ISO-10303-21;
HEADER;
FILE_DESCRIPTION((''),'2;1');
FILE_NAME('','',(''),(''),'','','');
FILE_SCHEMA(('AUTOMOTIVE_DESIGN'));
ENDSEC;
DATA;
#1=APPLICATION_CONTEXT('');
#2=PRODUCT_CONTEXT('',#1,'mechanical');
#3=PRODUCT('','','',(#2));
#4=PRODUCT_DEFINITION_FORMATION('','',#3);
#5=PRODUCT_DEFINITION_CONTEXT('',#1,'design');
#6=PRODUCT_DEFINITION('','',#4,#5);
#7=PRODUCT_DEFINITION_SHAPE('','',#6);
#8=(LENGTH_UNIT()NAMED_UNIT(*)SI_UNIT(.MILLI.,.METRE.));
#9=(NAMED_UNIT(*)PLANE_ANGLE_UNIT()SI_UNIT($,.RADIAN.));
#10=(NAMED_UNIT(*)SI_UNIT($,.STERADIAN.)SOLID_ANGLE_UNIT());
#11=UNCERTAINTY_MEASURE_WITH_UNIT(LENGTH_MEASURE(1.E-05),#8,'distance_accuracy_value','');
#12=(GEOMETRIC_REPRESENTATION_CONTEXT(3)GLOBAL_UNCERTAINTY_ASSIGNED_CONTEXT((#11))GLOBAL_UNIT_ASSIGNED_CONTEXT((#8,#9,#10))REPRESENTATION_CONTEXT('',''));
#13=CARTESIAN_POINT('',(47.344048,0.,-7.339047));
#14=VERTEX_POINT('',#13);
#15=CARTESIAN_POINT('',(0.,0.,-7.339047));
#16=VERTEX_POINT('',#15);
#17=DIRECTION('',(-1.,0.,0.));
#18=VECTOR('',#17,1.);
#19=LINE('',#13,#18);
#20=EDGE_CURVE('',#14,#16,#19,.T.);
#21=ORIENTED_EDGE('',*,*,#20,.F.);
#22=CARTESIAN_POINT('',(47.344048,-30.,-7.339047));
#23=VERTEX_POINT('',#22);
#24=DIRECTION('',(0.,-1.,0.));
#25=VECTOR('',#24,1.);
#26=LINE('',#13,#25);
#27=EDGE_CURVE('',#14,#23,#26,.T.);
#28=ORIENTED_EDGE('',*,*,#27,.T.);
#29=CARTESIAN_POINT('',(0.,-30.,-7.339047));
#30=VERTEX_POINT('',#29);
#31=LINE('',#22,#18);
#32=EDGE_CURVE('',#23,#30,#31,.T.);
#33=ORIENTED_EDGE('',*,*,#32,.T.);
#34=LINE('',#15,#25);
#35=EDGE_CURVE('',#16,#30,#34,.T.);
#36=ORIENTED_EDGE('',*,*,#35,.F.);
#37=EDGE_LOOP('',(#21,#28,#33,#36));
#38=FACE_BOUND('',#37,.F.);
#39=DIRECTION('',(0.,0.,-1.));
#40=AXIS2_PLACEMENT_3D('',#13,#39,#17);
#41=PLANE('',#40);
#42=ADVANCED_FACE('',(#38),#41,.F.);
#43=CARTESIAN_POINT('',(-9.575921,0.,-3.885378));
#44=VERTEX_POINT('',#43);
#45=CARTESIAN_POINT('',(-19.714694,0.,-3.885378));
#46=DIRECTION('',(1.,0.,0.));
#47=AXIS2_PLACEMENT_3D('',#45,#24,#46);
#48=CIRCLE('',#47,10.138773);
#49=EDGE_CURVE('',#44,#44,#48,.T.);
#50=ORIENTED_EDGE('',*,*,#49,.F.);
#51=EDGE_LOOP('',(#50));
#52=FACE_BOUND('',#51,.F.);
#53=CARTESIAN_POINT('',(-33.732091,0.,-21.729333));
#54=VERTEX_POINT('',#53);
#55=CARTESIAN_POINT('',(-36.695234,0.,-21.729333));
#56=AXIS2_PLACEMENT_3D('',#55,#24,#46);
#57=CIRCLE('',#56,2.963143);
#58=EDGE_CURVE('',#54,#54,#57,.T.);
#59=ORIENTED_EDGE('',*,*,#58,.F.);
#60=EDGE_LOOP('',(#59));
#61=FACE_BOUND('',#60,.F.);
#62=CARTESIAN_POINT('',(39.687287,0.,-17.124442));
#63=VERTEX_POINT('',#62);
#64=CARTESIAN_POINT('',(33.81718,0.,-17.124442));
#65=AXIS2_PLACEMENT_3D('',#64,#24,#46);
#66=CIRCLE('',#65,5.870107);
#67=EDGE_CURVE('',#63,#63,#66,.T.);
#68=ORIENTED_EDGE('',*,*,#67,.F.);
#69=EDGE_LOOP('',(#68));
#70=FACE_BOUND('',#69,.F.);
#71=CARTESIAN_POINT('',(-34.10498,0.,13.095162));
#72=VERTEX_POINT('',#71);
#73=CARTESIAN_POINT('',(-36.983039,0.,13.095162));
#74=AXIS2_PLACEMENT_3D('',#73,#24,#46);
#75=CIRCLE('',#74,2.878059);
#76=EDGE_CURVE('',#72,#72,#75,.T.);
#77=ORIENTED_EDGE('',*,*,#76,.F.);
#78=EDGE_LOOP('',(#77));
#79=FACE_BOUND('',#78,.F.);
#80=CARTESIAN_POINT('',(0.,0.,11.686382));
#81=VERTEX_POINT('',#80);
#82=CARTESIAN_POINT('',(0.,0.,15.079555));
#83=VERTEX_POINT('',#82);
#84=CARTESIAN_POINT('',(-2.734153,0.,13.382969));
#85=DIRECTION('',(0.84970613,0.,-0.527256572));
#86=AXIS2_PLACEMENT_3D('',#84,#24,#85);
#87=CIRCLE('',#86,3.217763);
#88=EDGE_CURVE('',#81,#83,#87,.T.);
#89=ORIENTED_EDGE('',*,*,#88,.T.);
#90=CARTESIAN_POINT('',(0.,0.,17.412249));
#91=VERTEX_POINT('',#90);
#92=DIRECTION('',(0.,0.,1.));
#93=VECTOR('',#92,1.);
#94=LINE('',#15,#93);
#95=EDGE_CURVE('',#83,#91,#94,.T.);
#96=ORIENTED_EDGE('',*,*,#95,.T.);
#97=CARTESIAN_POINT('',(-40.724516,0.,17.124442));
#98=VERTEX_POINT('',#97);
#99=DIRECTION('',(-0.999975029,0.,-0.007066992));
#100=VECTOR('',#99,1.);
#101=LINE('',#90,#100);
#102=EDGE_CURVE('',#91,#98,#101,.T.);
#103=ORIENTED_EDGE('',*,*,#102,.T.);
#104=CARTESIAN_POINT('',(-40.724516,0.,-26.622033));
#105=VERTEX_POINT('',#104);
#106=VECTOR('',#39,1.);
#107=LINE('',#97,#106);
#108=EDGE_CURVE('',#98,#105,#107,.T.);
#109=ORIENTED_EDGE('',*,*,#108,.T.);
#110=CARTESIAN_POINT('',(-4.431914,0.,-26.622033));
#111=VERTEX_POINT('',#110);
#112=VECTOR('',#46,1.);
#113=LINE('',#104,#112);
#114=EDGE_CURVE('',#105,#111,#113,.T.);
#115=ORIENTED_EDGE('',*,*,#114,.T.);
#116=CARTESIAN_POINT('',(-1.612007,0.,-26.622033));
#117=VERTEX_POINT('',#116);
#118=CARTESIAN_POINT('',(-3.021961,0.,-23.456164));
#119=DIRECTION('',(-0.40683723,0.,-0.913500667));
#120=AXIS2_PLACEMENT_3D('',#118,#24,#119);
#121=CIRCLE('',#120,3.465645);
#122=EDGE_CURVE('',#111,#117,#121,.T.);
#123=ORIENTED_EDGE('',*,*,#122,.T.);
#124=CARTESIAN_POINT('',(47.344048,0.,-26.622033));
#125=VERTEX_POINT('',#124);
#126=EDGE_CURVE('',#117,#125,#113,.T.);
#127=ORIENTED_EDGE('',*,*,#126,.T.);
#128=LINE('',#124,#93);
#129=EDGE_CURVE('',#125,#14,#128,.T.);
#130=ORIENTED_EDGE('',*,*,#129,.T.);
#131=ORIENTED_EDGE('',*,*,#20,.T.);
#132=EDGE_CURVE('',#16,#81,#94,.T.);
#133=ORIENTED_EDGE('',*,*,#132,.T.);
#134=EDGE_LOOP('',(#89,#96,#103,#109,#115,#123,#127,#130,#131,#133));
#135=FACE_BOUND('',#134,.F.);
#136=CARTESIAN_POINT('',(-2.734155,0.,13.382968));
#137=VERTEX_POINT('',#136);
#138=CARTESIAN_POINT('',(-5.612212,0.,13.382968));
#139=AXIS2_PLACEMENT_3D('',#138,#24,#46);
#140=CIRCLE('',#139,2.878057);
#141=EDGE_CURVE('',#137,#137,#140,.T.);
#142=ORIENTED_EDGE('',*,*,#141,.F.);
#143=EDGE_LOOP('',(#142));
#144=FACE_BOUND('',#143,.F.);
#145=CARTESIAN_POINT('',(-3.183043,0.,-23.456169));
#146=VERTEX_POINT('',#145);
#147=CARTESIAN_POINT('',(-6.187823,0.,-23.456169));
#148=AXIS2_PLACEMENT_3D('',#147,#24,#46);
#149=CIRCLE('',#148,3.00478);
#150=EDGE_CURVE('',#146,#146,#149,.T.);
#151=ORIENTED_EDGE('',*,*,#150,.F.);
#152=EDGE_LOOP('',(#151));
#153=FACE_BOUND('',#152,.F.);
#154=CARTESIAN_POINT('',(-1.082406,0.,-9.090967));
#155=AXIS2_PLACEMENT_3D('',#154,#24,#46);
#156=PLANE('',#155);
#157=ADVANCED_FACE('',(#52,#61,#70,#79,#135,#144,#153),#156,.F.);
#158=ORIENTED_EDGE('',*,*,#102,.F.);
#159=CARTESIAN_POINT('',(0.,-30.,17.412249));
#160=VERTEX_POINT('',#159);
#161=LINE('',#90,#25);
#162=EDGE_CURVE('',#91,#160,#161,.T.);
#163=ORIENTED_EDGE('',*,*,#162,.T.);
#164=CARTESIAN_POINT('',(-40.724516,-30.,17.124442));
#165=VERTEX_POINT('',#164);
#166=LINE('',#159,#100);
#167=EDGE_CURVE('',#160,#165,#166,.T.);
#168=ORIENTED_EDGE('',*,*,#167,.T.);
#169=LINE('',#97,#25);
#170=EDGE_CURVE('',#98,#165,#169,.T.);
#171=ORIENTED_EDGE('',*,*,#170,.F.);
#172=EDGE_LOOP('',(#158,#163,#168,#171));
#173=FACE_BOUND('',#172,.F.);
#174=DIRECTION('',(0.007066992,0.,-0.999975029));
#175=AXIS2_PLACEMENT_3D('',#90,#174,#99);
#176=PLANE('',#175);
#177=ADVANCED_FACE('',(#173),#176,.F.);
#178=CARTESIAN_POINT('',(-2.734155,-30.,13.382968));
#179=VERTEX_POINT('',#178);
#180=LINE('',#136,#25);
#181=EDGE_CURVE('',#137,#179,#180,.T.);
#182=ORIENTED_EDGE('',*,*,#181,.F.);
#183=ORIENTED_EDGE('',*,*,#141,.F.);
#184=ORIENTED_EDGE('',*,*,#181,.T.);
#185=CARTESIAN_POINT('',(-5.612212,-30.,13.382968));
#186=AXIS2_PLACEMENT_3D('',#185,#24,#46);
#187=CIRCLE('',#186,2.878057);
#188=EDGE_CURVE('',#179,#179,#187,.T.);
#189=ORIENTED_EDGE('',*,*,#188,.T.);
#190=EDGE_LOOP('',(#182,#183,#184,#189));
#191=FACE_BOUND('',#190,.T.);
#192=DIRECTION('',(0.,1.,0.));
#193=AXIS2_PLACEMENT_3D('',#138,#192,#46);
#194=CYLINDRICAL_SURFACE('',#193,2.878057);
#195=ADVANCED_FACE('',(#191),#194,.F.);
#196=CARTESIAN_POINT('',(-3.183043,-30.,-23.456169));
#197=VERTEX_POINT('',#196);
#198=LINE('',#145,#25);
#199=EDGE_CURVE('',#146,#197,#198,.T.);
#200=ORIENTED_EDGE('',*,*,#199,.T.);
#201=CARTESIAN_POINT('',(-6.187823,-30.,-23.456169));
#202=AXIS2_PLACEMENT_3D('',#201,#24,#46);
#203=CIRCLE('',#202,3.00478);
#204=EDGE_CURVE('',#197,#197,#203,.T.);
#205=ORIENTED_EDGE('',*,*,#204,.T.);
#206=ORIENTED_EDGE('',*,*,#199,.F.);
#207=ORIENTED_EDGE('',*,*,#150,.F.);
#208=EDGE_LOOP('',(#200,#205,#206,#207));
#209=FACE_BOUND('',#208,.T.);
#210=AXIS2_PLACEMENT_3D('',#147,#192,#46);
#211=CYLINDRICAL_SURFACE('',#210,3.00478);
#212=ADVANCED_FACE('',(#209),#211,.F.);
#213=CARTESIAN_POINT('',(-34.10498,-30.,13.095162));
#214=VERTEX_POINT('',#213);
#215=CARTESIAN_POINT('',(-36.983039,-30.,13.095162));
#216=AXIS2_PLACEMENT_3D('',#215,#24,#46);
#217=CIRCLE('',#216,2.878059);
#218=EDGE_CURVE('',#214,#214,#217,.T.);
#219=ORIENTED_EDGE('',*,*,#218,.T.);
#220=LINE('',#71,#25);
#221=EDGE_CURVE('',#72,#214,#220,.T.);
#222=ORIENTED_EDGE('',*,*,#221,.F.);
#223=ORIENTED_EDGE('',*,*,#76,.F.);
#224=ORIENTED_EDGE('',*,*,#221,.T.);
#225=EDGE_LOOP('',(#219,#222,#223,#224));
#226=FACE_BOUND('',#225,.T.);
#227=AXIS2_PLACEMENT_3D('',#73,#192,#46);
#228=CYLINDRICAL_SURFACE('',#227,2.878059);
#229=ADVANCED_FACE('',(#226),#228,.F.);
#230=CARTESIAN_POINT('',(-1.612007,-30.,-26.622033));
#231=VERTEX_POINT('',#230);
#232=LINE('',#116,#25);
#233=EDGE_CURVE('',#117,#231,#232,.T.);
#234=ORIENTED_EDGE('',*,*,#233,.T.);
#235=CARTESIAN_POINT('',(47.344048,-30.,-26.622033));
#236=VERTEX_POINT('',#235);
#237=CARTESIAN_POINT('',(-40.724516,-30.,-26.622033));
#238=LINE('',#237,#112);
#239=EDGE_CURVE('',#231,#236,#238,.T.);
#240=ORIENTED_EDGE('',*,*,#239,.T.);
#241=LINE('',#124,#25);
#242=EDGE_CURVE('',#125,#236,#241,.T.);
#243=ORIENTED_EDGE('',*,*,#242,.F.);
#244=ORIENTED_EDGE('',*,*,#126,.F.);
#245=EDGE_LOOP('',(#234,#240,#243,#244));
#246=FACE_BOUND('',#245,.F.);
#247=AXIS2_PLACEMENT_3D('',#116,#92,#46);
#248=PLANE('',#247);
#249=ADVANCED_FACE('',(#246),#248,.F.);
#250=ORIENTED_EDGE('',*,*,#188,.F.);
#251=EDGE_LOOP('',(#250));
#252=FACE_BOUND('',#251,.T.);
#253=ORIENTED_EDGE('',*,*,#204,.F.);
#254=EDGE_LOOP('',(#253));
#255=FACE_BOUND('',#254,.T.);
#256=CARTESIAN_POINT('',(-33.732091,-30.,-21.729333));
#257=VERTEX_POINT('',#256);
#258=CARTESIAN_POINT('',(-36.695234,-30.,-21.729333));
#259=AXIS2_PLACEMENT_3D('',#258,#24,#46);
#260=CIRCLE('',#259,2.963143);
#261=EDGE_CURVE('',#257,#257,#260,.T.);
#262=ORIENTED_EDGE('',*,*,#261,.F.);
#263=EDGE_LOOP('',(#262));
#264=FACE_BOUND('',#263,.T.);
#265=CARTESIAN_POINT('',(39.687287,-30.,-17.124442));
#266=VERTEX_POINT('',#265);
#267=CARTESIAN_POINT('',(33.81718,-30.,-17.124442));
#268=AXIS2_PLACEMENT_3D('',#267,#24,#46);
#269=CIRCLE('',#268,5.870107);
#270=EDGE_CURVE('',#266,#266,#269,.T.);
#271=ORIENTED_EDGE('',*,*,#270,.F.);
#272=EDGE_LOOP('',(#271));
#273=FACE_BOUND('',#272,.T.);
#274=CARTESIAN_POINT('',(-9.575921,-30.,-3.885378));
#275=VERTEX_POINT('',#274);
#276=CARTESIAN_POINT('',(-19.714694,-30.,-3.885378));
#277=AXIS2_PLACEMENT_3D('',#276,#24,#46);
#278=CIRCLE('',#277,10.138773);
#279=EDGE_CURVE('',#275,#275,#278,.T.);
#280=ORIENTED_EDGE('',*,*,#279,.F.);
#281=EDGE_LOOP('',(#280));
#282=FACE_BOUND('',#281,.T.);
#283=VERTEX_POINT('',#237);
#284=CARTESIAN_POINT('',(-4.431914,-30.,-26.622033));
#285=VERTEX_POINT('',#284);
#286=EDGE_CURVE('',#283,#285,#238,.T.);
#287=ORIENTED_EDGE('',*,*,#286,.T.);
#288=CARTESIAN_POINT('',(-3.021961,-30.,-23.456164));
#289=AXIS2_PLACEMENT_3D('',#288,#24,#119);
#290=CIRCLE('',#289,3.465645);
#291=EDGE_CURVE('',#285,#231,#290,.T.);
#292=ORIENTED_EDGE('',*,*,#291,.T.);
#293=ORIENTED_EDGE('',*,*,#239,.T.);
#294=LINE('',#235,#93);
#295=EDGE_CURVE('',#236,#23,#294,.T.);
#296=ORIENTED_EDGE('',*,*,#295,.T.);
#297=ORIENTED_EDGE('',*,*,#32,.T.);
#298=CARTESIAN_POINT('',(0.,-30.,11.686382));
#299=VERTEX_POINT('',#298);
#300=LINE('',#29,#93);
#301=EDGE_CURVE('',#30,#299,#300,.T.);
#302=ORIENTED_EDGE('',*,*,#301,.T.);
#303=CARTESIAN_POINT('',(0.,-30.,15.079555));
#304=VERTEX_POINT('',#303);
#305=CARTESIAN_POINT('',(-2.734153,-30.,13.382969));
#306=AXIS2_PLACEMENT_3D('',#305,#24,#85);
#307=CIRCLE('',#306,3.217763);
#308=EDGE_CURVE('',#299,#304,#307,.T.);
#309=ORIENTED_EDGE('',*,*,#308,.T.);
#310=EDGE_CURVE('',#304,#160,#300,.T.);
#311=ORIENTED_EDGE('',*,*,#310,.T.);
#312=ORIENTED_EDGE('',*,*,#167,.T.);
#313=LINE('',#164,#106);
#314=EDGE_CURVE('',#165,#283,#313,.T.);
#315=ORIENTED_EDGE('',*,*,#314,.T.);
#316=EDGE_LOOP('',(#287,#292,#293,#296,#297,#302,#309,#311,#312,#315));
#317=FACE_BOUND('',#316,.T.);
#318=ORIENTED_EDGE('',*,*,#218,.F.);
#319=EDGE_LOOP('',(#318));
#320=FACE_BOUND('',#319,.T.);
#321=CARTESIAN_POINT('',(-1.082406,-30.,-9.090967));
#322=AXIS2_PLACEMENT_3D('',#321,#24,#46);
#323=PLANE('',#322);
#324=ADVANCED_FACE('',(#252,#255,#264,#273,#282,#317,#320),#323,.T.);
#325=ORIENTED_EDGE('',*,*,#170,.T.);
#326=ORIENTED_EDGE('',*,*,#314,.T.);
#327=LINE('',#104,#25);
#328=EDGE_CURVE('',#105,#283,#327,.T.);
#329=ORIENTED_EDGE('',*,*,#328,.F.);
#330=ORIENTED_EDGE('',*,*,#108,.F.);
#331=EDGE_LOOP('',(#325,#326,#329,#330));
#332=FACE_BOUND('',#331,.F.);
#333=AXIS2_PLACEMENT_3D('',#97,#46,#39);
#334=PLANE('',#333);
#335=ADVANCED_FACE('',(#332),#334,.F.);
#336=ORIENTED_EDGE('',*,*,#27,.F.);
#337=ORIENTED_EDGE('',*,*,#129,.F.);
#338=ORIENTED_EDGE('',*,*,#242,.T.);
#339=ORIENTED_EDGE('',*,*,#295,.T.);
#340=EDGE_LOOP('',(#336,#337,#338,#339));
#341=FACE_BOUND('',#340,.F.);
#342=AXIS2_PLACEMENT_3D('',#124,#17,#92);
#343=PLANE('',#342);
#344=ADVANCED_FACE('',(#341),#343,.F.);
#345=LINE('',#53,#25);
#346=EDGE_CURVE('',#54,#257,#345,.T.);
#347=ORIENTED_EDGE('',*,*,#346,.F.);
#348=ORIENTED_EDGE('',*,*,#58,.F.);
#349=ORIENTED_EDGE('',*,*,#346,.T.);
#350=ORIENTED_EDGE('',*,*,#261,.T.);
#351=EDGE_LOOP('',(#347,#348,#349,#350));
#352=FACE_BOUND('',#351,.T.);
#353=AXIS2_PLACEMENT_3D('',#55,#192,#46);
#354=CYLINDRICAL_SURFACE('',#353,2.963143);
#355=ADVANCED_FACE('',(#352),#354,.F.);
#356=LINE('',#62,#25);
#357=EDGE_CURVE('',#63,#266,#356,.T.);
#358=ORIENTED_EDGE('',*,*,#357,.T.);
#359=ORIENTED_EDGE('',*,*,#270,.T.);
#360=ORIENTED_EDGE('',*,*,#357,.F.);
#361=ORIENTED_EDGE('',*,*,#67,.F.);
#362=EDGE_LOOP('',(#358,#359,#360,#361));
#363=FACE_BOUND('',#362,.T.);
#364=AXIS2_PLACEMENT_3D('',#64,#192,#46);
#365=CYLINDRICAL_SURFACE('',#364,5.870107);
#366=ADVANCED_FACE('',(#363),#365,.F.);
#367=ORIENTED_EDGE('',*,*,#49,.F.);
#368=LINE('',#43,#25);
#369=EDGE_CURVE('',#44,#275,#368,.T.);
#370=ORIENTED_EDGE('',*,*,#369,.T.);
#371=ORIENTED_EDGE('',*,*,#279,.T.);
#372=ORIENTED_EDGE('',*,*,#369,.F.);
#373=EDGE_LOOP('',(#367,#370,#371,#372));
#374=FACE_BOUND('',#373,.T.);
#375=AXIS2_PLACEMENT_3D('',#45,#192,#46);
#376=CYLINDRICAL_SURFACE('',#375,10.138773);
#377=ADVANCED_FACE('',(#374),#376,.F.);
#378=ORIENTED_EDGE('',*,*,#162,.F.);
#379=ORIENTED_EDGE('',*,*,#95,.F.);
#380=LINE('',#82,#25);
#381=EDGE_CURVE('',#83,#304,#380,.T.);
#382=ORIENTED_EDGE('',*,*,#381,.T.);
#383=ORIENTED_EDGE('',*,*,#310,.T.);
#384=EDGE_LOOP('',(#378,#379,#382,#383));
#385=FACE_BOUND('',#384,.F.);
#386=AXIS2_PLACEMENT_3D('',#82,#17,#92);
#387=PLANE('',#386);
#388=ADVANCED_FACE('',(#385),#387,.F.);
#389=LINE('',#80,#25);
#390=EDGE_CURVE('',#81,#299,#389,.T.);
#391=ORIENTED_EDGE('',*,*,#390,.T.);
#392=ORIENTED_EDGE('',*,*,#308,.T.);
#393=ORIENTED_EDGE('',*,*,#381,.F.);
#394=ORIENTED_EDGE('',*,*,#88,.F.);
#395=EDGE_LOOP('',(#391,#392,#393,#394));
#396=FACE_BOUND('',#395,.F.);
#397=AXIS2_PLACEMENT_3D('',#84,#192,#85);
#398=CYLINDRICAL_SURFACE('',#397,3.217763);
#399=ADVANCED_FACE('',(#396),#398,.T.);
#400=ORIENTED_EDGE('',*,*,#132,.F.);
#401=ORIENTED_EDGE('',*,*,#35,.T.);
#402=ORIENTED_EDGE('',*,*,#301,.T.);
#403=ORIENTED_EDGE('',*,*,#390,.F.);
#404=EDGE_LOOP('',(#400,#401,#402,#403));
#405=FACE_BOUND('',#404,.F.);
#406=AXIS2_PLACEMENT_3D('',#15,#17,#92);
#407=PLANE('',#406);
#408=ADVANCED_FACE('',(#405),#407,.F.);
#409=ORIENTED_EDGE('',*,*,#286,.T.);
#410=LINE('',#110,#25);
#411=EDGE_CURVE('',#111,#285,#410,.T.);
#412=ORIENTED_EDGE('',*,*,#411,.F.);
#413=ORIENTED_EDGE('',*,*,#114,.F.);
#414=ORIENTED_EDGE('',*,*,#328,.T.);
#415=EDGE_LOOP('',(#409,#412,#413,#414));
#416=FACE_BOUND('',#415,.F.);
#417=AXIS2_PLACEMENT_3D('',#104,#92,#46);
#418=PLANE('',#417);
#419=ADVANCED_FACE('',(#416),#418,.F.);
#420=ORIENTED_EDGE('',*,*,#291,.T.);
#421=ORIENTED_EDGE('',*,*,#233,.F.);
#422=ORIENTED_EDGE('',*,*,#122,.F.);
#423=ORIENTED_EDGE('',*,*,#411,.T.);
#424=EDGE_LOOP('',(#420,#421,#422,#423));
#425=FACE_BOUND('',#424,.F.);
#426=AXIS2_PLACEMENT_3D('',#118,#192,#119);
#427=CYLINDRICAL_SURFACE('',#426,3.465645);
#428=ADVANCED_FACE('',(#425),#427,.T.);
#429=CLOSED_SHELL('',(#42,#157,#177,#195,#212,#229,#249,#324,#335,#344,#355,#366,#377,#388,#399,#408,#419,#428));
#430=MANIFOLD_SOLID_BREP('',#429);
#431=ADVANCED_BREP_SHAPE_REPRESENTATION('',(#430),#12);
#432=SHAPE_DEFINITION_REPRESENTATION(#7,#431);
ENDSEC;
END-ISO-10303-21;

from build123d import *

# Parameters (mm, degrees)
F0_R     = 2.963143
F0_R_2   = 3.00478
F0_R_3   = 5.870107
F0_R_4   = 10.138773
F0_R_5   = 2.878059
F0_R_6   = 2.878057
F1_DEPTH = 30


with BuildPart() as f1:
    # F0 (on Front) → F1 (new body)
    with BuildSketch(Plane.XZ):
        Polygon((0, 17.412249), (-40.724516, 17.124442), (-40.724516, -26.622033), (-4.431914, -26.622033), (-1.612007, -26.622033), (47.344048, -26.622033), (47.344048, -7.339047), (0, -7.339047), (0, 11.686382), (0, 15.079555), align=None)
        with Locations((-36.695234, -21.729333)):
            Circle(F0_R, mode=Mode.SUBTRACT)
        with Locations((-6.187823, -23.456169)):
            Circle(F0_R_2, mode=Mode.SUBTRACT)
        with Locations((33.81718, -17.124442)):
            Circle(F0_R_3, mode=Mode.SUBTRACT)
        with Locations((-19.714694, -3.885378)):
            Circle(F0_R_4, mode=Mode.SUBTRACT)
        with Locations((-36.983039, 13.095162)):
            Circle(F0_R_5, mode=Mode.SUBTRACT)
        with Locations((-5.612212, 13.382968)):
            Circle(F0_R_6, mode=Mode.SUBTRACT)
        with BuildLine():
            Line((-1.612007, -26.622033), (-4.431914, -26.622033))
            ThreePointArc((-4.431914, -26.622033), (-3.021961, -26.921809), (-1.612007, -26.622033))
        make_face()
        with BuildLine():
            ThreePointArc((0, 11.686382), (0.48361, 13.382968), (0, 15.079555))
            Line((0, 15.079555), (0, 11.686382))
        make_face()
    extrude(amount=F1_DEPTH)


solid = f1.part
